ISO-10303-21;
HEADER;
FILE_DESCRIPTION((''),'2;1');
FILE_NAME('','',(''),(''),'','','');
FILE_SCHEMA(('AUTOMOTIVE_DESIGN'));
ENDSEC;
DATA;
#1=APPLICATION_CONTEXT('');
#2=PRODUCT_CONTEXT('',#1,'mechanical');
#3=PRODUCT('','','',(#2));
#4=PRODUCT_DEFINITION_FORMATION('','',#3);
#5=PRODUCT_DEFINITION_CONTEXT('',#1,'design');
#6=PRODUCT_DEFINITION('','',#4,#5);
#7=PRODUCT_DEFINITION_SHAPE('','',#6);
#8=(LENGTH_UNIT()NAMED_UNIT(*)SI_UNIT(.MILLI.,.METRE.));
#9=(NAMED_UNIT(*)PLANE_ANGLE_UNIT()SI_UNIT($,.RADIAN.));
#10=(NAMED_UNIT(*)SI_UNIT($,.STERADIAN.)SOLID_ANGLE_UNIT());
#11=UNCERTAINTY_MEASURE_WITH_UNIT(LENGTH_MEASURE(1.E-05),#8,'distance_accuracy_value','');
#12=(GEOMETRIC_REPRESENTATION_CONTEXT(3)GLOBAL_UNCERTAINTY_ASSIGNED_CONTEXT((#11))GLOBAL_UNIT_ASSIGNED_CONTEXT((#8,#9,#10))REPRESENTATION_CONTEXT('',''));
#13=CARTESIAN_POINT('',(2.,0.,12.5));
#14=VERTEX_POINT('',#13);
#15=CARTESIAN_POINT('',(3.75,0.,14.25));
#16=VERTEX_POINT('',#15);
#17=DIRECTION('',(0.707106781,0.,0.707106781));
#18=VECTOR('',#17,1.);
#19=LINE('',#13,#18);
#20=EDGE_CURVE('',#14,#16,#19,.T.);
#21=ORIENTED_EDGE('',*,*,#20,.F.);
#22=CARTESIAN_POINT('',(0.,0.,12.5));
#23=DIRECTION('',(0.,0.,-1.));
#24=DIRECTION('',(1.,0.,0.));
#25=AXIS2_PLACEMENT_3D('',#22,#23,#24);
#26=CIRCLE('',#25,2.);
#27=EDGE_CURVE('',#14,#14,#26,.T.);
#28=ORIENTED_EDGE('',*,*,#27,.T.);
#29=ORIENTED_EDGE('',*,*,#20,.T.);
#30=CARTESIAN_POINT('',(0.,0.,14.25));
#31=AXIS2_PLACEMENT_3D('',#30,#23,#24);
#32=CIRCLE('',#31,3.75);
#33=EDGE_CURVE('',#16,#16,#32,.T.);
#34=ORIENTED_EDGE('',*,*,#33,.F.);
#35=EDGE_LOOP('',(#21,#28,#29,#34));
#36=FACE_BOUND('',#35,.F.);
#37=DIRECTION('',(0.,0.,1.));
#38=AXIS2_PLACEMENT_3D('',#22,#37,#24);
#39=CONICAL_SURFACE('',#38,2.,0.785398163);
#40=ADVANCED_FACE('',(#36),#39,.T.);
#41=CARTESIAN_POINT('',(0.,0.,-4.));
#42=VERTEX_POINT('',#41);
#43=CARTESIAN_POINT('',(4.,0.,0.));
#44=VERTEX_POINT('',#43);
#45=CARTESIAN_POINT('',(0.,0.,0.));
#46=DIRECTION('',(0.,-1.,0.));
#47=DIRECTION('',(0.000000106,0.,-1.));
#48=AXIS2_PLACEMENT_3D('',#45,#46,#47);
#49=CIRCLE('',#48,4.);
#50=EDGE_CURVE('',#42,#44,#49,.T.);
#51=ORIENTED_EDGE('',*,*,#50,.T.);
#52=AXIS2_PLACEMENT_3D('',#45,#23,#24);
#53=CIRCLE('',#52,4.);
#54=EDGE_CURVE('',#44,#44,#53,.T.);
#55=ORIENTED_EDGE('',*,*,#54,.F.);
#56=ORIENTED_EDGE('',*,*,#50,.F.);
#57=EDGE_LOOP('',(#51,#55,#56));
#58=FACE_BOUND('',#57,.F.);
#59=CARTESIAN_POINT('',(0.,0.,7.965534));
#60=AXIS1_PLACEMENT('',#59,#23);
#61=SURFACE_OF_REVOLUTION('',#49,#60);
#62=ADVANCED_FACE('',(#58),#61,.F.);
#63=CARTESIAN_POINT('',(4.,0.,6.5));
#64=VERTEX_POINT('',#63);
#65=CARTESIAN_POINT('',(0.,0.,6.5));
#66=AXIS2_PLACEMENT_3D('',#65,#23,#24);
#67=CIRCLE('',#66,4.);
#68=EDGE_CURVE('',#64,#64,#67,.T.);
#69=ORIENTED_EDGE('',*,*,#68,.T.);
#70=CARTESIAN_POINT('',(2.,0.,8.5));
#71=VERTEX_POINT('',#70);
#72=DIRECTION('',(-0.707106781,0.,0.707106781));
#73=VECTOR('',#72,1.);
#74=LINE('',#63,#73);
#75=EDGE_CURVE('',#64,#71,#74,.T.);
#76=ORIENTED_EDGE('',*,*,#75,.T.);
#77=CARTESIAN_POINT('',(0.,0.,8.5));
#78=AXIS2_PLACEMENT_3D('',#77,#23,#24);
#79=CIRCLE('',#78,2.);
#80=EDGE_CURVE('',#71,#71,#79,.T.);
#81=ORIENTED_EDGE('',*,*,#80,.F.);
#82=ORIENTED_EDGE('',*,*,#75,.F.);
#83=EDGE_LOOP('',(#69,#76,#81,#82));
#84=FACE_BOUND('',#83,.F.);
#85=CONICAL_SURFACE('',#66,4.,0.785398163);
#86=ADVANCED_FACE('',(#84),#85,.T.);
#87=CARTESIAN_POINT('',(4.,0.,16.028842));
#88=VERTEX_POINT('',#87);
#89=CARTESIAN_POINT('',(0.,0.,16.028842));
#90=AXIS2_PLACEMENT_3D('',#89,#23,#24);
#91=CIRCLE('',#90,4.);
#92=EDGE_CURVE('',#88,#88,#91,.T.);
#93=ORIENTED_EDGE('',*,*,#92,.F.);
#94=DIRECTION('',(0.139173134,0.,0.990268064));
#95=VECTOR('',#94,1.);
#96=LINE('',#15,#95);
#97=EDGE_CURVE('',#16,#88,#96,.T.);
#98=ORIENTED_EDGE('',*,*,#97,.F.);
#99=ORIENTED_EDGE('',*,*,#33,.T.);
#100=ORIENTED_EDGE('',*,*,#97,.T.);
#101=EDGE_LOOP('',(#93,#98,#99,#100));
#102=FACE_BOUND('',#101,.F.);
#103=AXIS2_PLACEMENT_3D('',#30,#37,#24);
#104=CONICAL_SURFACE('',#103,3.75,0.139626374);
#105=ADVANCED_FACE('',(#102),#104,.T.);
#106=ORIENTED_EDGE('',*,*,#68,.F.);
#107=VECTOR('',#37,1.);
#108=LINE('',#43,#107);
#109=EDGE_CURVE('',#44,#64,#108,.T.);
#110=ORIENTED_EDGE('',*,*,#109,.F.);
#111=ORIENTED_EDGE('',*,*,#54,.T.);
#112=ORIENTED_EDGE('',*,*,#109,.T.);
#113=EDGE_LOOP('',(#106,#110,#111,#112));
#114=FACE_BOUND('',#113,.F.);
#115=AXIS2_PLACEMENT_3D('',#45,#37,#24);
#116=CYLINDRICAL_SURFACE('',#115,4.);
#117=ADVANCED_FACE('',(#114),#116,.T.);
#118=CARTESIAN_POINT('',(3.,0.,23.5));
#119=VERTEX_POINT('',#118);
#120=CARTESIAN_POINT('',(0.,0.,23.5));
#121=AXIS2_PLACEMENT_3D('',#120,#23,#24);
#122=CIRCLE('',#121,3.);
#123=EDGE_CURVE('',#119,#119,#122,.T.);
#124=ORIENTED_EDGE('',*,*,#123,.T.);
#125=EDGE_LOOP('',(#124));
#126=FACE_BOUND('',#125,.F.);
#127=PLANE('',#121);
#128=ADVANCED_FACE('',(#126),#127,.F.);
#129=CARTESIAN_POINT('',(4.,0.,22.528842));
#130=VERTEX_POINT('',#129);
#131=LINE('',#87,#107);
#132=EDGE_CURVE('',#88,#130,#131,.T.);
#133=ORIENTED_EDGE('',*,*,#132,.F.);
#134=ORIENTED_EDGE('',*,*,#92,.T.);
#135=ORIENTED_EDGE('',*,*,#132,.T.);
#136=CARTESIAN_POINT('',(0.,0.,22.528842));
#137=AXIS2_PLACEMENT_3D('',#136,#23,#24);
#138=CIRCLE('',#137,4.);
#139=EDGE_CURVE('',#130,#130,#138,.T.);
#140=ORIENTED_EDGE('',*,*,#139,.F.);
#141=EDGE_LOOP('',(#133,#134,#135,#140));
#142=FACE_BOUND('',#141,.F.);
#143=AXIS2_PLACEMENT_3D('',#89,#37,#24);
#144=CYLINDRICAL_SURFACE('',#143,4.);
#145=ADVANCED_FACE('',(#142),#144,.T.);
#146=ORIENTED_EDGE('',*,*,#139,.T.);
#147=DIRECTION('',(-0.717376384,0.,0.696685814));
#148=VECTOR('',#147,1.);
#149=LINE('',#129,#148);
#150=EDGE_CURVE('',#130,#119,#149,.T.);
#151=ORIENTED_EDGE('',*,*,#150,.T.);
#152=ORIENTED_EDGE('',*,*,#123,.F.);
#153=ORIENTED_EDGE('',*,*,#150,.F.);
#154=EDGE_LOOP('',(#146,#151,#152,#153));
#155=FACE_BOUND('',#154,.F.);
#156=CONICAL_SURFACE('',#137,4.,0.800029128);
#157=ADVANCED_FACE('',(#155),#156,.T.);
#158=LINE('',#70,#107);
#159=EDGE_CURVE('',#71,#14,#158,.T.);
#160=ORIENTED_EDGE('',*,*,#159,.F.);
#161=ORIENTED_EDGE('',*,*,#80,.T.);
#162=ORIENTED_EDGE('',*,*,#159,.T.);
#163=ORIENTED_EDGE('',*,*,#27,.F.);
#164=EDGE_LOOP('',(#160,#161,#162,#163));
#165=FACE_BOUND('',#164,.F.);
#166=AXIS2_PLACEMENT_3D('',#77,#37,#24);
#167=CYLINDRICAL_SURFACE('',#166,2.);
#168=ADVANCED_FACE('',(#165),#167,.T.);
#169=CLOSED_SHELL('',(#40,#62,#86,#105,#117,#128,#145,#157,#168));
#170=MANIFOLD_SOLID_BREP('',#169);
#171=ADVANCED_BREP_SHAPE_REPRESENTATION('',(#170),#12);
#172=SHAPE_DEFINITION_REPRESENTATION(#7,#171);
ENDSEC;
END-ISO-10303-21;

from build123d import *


with BuildPart() as f1:
    # F0 (on Front) → F1 (revolve)
    with BuildSketch(Plane.XZ):
        Polygon((3, 23.5), (0, 23.5), (0, 0), (4, 0), (4, 6.5), (2, 8.5), (2, 12.5), (3.75, 14.25), (4, 16.028842), (4, 22.528842), align=None)
    revolve(axis=Axis((0, 0, 7.965534), (0, 0, -1)))

    # F0 (on Front) → F2 (revolve)
    with BuildSketch(Plane.XZ):
        with BuildLine():
            Line((4, 0), (0, 0))
            Line((0, 0), (0, -4))
            ThreePointArc((0, -4), (2.828427, -2.828427), (4, 0))
        make_face()
    revolve(axis=Axis((0, 0, 7.965534), (0, 0, -1)))


solid = f1.part
